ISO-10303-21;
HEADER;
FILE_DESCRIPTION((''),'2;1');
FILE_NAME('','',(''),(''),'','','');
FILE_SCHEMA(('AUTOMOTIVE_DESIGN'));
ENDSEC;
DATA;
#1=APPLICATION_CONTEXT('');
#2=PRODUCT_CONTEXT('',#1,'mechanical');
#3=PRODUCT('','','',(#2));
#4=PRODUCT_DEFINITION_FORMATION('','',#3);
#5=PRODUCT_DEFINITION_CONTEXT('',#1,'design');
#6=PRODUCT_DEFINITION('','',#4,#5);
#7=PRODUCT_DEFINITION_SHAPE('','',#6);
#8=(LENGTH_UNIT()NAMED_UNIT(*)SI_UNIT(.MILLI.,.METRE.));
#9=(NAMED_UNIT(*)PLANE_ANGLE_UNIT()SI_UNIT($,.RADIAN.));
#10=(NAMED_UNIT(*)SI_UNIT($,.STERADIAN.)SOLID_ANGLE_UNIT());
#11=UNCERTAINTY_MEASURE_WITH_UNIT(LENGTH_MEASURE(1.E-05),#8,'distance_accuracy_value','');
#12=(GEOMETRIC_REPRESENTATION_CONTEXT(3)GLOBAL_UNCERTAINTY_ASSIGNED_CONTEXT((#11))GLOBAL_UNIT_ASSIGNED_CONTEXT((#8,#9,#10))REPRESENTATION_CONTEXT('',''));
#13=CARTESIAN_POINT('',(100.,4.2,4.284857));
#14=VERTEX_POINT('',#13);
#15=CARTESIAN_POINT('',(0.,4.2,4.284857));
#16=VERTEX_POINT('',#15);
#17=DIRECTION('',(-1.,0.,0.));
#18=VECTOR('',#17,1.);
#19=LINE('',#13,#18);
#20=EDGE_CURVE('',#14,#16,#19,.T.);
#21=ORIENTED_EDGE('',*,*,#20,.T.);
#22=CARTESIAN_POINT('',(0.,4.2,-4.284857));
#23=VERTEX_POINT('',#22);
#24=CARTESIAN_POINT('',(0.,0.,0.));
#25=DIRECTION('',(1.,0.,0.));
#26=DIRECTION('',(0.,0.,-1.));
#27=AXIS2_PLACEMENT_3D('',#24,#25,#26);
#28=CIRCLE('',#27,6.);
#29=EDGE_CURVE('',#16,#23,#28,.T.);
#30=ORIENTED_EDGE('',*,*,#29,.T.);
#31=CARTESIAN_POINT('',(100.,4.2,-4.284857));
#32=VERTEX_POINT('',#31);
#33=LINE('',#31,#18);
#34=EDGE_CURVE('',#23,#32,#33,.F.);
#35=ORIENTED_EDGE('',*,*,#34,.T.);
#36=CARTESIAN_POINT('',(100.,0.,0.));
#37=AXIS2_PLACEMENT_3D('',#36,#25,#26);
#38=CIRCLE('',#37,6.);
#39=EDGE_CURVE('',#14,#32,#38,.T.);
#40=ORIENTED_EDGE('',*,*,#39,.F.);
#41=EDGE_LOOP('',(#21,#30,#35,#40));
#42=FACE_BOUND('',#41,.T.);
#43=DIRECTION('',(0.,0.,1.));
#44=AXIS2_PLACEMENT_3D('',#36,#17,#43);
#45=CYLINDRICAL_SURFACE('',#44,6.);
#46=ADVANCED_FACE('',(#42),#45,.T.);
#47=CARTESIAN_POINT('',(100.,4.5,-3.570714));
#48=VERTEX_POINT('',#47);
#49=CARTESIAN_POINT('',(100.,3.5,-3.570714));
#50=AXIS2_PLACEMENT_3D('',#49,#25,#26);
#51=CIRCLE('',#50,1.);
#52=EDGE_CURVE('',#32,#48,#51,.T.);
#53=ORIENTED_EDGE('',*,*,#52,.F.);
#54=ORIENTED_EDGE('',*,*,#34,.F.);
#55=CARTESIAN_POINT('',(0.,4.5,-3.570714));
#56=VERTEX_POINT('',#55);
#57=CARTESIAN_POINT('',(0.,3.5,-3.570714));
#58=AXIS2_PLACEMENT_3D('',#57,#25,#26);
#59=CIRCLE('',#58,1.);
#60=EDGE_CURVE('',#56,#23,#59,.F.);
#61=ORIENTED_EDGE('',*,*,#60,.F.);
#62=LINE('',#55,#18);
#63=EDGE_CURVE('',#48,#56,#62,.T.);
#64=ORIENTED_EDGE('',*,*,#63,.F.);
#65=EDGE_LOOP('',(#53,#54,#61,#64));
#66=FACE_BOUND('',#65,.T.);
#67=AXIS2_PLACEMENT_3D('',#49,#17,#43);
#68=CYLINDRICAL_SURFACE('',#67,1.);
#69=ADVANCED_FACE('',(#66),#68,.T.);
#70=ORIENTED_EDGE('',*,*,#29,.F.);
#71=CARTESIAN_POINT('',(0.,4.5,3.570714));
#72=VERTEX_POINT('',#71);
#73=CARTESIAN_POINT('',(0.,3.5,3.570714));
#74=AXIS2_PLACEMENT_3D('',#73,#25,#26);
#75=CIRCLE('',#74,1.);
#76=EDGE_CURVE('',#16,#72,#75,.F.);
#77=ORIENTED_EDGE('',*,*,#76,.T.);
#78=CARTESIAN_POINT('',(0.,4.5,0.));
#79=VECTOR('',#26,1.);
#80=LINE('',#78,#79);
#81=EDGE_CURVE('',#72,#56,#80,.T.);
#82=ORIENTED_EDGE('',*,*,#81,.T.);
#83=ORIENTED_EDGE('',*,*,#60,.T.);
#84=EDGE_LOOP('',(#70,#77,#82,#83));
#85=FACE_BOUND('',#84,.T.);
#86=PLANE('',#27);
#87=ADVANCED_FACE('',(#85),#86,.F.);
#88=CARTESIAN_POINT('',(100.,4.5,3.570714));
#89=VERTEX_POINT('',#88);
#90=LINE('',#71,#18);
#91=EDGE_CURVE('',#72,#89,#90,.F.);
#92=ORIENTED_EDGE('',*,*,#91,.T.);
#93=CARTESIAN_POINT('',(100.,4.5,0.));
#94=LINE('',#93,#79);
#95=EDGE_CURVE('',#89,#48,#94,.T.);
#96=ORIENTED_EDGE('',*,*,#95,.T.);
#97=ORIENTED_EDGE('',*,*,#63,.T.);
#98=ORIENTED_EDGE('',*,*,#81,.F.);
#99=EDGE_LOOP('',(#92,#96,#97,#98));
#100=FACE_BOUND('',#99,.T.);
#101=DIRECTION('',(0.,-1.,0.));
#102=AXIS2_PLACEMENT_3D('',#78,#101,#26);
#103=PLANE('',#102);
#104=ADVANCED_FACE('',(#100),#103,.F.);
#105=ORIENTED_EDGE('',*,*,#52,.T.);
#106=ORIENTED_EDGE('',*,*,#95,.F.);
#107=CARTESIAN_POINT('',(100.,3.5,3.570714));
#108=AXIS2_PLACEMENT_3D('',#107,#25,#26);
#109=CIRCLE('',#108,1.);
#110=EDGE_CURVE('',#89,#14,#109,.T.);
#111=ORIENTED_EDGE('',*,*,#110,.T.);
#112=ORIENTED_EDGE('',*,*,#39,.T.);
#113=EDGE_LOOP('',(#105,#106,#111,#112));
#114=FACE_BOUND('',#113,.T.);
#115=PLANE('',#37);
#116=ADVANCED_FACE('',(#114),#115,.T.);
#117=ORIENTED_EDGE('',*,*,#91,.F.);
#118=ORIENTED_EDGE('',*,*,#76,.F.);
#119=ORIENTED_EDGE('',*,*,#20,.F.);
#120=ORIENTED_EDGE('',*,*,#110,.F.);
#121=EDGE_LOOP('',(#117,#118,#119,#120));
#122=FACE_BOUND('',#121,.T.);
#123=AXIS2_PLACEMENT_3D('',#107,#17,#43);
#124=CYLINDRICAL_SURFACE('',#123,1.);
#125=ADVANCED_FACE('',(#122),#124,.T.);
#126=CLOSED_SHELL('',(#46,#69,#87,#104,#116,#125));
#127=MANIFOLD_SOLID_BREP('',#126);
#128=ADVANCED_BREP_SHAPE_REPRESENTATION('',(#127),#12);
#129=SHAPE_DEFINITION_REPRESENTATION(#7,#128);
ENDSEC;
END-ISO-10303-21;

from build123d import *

# Parameters (mm, degrees)
SKETCH1_R           = 6
BOSS_EXTRUDE1_DEPTH = 100
CUT_EXTRUDE1_DEPTH  = 101
FILLET1_R           = 1


with BuildPart() as part:
    # Sketch1 → Boss-Extrude1 (new body)
    with BuildSketch(Plane(origin=(0, 0, 0), x_dir=(0, 0, -1), z_dir=(1, 0, 0))):
        Circle(SKETCH1_R)
    extrude(amount=BOSS_EXTRUDE1_DEPTH)

    # Sketch2 → Cut-Extrude1 (cut, through all)
    with BuildSketch(Plane(origin=(100, 0, 0), x_dir=(0, 0, -1), z_dir=(1, 0, 0))):
        Polygon((45.463107393, 6.099427515), (3.968626967, 6.099427515), (-3.968626967, 6.099427515), (-3.968626967, 4.5), (3.968626967, 4.5), (3.968626967, 6.19024408), (3.968626967, 47.684724507), (-54.777541729, -10.933150643), (-13.283061303, -52.518447634), align=None)
    extrude(amount=-CUT_EXTRUDE1_DEPTH, mode=Mode.SUBTRACT)

    # Fillet1
    fillet1_edges = [part.edges().sort_by_distance(p)[0] for p in [
        (50, 4.5, 3.968626967),
        (50, 4.5, -3.968626967),
    ]]
    fillet(fillet1_edges, radius=FILLET1_R)


solid = part.part
